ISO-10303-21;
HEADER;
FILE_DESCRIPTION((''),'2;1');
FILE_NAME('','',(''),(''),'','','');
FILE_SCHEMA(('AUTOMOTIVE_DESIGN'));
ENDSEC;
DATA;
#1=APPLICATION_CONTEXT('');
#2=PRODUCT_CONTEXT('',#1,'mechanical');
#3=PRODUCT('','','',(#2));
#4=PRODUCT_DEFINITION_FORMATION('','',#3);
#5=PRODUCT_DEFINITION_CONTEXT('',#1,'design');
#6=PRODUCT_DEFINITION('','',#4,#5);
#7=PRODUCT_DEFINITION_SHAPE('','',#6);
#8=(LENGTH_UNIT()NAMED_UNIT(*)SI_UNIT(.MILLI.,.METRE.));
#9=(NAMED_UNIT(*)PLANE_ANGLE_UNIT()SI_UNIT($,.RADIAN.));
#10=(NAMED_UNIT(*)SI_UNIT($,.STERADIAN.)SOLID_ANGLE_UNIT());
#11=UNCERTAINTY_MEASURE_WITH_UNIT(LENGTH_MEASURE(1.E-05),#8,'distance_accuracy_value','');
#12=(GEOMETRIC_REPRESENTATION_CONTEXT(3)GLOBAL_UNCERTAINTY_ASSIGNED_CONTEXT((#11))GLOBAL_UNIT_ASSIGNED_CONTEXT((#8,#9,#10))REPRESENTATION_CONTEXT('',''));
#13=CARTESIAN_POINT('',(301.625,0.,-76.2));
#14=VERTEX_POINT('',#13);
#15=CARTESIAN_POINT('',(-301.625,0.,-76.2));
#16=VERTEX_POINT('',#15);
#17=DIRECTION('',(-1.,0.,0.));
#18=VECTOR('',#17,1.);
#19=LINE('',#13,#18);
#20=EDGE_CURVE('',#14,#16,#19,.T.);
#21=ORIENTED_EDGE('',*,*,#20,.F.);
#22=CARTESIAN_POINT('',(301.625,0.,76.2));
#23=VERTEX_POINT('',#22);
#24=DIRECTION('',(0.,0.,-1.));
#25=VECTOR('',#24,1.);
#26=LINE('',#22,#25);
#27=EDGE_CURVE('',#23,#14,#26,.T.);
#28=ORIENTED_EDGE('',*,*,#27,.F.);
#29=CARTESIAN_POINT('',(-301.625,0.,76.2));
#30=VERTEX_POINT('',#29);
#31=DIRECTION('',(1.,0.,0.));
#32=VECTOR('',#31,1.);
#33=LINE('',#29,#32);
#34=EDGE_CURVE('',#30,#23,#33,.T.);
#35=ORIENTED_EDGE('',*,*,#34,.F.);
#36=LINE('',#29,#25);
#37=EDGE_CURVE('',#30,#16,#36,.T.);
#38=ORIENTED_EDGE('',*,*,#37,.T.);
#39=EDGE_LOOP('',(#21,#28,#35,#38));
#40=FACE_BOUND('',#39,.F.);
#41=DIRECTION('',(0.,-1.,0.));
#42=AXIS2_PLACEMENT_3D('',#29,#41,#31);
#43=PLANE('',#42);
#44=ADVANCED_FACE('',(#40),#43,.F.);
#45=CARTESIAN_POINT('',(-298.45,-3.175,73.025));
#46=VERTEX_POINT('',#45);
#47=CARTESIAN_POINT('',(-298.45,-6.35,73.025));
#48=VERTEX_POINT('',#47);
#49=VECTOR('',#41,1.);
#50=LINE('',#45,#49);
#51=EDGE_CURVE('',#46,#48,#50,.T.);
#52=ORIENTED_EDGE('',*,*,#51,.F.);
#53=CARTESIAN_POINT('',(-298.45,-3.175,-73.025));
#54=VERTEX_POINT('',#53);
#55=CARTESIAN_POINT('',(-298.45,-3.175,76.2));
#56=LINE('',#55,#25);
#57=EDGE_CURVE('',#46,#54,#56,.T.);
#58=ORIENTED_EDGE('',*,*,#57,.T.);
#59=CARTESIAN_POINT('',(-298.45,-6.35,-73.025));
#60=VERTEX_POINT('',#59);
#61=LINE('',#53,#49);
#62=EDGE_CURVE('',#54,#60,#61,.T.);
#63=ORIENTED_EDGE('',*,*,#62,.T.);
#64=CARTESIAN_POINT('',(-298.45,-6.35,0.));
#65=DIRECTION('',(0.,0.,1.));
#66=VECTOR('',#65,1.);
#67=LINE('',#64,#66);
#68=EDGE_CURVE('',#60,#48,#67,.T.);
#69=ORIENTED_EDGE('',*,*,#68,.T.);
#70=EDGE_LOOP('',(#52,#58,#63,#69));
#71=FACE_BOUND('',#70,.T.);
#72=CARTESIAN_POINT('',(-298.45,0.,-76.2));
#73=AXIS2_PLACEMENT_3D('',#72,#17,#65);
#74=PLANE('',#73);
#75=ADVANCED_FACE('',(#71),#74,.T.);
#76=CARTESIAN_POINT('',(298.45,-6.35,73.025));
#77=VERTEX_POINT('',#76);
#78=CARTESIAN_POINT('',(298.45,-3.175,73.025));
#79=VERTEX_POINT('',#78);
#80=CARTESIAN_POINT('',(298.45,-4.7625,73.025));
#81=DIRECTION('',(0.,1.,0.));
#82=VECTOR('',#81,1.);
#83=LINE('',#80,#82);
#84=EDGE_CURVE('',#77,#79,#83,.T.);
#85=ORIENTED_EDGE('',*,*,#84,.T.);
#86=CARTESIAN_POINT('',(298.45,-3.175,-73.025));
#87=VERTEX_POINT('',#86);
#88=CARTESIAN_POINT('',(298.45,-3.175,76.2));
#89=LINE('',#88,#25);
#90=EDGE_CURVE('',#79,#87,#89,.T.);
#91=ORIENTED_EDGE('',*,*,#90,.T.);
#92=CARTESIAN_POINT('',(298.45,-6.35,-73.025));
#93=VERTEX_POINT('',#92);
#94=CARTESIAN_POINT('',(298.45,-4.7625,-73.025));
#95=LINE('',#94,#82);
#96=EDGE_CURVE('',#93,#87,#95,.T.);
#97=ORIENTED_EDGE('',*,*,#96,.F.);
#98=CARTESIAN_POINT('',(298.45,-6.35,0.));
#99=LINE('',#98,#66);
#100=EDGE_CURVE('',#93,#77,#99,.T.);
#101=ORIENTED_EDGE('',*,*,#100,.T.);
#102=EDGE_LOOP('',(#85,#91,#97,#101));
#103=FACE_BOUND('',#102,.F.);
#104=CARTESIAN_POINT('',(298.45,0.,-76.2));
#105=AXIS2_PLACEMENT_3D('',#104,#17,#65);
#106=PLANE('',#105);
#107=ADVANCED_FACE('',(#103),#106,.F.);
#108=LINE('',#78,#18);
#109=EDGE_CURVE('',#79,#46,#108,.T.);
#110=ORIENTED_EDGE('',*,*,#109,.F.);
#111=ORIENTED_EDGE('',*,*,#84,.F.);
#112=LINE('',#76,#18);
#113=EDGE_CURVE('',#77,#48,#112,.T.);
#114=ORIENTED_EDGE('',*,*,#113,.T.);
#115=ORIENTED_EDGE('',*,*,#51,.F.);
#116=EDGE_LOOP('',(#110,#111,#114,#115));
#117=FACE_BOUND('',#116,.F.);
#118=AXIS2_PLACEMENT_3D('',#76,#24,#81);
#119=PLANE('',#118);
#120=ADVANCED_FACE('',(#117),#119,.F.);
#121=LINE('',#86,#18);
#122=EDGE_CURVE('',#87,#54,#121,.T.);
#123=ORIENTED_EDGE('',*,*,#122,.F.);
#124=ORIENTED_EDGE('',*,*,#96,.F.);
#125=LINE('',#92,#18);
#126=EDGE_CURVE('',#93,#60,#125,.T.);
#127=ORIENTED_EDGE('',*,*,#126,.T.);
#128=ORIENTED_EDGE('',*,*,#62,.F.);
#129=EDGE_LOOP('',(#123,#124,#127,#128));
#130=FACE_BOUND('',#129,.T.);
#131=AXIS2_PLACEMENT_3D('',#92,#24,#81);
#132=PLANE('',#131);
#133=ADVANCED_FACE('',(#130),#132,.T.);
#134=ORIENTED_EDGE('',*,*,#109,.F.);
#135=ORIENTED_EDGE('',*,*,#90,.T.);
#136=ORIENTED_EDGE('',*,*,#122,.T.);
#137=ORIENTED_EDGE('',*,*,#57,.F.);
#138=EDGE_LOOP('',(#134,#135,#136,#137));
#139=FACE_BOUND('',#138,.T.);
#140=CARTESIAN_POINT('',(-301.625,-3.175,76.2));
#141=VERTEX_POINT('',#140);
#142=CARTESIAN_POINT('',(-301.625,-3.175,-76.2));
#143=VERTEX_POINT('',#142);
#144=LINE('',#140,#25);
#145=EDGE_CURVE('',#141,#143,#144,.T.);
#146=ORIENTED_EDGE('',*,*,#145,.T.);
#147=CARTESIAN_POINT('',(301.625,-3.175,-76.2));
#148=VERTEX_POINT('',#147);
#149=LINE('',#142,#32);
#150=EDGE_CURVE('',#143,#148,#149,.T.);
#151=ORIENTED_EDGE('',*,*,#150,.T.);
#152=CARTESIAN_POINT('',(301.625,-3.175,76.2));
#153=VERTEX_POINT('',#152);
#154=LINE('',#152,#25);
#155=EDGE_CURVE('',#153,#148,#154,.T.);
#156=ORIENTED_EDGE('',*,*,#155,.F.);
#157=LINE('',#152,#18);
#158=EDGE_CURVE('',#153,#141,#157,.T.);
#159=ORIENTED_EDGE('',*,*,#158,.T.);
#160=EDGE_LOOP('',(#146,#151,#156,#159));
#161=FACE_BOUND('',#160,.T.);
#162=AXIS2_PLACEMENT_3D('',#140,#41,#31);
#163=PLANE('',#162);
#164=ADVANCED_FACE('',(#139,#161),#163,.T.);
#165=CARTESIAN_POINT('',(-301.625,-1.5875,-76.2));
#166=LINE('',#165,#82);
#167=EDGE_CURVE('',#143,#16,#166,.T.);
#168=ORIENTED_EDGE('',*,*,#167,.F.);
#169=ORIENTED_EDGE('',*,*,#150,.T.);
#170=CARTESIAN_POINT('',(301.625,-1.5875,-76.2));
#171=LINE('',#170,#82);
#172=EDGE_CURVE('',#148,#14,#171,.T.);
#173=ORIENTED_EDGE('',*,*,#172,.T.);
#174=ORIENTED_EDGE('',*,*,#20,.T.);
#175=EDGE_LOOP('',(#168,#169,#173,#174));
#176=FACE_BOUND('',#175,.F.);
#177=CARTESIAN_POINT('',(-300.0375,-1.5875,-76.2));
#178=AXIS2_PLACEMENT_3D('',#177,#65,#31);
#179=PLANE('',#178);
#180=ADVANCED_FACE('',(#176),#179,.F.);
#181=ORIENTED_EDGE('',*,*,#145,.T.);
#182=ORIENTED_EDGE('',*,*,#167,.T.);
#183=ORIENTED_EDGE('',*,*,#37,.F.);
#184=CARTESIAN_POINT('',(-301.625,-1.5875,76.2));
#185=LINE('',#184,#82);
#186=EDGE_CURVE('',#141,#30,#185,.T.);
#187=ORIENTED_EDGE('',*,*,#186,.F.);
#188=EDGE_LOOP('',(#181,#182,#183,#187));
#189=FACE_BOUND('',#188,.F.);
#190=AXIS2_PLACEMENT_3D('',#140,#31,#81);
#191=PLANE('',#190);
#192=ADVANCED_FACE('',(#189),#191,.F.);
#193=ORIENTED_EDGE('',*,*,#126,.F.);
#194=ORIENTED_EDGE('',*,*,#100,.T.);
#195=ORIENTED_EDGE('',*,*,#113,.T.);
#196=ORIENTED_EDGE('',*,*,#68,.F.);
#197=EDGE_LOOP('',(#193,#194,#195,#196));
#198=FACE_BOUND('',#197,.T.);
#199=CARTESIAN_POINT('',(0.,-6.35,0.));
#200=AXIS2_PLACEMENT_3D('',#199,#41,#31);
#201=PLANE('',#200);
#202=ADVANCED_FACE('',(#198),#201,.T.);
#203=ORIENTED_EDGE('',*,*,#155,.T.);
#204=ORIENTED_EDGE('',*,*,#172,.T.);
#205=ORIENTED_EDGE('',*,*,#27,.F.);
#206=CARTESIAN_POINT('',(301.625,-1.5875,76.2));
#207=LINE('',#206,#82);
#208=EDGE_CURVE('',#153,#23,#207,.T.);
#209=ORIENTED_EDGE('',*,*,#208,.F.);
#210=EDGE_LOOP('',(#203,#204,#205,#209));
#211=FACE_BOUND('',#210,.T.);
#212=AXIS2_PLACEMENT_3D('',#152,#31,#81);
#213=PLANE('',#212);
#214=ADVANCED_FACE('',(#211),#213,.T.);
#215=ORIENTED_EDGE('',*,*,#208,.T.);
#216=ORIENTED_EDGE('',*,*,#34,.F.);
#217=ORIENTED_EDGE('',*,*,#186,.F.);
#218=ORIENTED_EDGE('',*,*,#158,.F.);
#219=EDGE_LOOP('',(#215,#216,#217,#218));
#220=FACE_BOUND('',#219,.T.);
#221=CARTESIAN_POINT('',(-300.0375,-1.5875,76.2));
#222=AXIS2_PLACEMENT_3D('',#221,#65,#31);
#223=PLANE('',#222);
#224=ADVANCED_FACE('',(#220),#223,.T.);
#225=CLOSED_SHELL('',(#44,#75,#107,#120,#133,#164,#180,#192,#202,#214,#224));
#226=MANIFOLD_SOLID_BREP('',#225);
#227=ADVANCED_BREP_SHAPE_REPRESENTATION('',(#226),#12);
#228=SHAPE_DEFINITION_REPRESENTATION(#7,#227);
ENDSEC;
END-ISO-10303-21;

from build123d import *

# Parameters (mm, degrees)
F0_W     = 596.9
F0_H     = 152.4
F1_DEPTH = 6.35
F2_W     = 3.175
F2_H     = 3.175
F3_DEPTH = 596.901
F4_W     = 3.175
F4_H     = 3.175
F5_DEPTH = 152.4


with BuildPart() as f1:
    # F0 (on Front) → F1 (new body)
    with BuildSketch(Plane.XZ):
        Rectangle(F0_W, F0_H)
    extrude(amount=F1_DEPTH)

    # F2 (on face) → F3 (cut, through all)
    with BuildSketch(Plane.YZ.offset(298.45)):
        with Locations((-4.7625, -74.6125)):
            Rectangle(F2_W, F2_H)
        with Locations((-4.7625, 74.6125)):
            Rectangle(F2_W, F2_H)
    extrude(amount=-F3_DEPTH, mode=Mode.SUBTRACT)

    # F4 (on face) → F5 (join, through all)
    with BuildSketch(Plane.XY.offset(76.2)):
        with Locations((-300.0375, -1.5875)):
            Rectangle(F4_W, F4_H)
        with Locations((300.0375, -1.5875)):
            Rectangle(F4_W, F4_H)
    extrude(amount=-F5_DEPTH)


solid = f1.part
